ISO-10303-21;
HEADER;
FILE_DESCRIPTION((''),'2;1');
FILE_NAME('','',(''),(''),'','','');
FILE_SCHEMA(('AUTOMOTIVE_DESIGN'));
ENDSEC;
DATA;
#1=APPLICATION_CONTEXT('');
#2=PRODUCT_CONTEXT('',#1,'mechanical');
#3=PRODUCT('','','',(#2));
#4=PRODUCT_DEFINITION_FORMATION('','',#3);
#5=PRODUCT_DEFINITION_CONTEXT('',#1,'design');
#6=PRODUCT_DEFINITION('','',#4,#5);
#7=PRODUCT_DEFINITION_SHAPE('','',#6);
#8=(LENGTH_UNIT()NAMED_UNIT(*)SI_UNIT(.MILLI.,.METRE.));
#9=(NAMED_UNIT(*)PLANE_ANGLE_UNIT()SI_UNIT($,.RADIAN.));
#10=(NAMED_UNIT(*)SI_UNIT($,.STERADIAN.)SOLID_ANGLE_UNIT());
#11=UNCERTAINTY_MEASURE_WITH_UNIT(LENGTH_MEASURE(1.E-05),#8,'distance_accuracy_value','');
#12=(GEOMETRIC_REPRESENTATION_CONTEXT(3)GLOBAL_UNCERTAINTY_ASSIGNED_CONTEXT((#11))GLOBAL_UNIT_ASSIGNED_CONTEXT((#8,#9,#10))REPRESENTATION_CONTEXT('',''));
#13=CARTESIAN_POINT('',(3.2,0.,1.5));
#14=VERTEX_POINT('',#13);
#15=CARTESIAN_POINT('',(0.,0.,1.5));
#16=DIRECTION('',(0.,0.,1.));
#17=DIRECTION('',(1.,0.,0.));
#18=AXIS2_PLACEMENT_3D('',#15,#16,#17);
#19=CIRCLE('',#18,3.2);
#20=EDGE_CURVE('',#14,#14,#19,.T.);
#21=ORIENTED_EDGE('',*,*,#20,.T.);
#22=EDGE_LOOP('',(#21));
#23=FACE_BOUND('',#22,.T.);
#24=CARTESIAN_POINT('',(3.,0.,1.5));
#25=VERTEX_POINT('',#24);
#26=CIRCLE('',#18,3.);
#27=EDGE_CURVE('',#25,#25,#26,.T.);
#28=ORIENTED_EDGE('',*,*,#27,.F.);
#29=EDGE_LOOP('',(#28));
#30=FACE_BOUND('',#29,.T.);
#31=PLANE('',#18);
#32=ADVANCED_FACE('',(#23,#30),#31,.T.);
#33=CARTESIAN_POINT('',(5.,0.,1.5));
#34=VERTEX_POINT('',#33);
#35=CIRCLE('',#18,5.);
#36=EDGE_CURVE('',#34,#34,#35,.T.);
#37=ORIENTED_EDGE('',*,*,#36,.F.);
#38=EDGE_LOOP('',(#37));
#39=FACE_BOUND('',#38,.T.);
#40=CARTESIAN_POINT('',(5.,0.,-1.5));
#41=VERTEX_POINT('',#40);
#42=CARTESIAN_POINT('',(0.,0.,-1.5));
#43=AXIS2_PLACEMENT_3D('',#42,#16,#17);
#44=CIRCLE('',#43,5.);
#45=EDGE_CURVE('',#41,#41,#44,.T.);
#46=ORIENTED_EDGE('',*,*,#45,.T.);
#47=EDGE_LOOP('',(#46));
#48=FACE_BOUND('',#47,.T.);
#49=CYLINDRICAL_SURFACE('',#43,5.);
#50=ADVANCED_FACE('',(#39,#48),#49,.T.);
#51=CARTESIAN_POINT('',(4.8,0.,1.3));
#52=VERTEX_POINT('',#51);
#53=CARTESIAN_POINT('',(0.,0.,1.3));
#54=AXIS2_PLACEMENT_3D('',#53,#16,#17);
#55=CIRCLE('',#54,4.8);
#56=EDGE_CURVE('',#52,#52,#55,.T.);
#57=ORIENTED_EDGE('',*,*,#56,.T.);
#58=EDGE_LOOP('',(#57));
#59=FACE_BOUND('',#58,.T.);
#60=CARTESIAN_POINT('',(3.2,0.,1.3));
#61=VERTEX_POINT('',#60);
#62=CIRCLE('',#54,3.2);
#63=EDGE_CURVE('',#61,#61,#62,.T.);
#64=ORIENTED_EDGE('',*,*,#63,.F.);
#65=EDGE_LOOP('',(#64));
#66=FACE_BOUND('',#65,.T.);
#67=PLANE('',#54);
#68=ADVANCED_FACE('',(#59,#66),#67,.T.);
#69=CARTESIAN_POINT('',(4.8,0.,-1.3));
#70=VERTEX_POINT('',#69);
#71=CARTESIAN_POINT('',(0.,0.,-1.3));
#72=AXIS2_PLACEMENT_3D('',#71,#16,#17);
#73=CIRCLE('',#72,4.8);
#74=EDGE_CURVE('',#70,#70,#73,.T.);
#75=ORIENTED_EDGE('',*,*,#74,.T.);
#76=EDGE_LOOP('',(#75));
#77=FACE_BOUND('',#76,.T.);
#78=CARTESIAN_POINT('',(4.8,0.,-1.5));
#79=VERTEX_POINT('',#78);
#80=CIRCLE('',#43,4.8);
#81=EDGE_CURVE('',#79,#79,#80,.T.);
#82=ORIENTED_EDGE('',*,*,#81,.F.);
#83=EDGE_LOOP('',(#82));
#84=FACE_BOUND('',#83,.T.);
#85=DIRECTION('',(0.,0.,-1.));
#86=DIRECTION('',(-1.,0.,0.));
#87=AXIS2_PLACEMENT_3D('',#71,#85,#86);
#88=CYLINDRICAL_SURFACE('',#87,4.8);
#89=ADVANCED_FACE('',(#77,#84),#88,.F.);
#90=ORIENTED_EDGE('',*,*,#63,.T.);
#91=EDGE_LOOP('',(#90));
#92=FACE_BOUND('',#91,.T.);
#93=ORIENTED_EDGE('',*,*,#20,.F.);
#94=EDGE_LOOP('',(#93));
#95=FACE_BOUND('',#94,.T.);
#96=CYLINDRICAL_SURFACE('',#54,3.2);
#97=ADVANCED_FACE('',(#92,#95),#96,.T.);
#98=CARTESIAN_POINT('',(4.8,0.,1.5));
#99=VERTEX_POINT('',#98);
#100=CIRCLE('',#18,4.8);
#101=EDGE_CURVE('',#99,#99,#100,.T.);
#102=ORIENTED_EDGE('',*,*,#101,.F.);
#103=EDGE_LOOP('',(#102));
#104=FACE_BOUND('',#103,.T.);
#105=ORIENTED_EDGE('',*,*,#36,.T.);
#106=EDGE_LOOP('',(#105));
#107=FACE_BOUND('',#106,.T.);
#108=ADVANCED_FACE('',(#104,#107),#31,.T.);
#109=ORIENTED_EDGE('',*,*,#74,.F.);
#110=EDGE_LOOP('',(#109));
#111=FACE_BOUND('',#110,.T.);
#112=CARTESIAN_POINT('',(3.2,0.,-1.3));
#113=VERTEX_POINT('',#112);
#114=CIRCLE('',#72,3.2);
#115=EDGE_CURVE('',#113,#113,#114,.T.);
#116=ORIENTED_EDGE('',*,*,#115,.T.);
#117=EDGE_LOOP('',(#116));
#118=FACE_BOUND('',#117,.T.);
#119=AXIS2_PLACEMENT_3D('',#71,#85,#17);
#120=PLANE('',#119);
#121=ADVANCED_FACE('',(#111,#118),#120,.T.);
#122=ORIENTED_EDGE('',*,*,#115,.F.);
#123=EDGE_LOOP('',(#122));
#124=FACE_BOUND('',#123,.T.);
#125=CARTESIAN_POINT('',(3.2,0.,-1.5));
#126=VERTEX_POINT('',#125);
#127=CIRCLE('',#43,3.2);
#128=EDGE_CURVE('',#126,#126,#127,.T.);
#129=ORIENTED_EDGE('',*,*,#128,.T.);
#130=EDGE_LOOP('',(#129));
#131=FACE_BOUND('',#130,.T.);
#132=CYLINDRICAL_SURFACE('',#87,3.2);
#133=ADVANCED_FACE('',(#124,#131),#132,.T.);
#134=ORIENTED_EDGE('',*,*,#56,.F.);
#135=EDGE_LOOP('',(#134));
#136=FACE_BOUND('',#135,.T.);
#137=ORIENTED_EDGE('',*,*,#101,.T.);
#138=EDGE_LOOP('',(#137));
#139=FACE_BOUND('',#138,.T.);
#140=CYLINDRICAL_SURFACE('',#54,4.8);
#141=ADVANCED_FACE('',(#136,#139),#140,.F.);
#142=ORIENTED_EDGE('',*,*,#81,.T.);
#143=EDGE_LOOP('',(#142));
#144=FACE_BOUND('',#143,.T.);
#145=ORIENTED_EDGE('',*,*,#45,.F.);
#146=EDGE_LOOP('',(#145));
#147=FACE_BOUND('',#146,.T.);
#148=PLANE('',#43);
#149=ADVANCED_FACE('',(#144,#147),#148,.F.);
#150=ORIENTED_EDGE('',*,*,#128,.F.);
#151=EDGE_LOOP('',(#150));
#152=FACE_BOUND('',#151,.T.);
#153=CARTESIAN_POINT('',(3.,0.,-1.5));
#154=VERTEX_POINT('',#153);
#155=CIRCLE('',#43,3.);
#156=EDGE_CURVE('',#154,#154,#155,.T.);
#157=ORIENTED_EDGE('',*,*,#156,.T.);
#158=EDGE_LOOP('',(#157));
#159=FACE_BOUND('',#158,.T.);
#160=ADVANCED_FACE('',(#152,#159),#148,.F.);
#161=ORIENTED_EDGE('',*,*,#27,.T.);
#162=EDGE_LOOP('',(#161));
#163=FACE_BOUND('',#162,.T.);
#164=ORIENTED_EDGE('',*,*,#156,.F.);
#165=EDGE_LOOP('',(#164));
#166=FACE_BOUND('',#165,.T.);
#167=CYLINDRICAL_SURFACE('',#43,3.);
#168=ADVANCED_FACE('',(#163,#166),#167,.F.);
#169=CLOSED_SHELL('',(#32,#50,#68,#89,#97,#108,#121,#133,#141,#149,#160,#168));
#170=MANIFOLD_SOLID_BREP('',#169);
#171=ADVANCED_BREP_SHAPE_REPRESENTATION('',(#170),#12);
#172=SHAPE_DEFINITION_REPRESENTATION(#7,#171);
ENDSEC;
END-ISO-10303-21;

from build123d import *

# Parameters (mm, degrees)
EXTRUDE_1_DEPTH      = 1.5
EXTRUDE_1_DEPTH_BACK = 1.5
SKETCH_1_R           = 5
SKETCH_1_R_2         = 3
SKETCH_2_R           = 4.8
SKETCH_2_R_2         = 3.2
CUT_EXTRUDE_1_DEPTH  = 0.2


with BuildPart() as part:
    # 草图1 → 凸台-拉伸1 (new, two sides: drawn at the far end of the back side and taken through both)
    with BuildSketch(Plane.XY.offset(-EXTRUDE_1_DEPTH_BACK)):
        Circle(SKETCH_1_R)
        Circle(SKETCH_1_R_2, mode=Mode.SUBTRACT)
    extrude(amount=EXTRUDE_1_DEPTH + EXTRUDE_1_DEPTH_BACK)

    # 草图2 → 切除-拉伸1 (cut)
    with BuildSketch(Plane.XY.offset(1.5)):
        Circle(SKETCH_2_R)
        Circle(SKETCH_2_R_2, mode=Mode.SUBTRACT)
    cut_extrude_1 = extrude(amount=-CUT_EXTRUDE_1_DEPTH, mode=Mode.SUBTRACT)

    # 镜向1: 切除-拉伸1 across plane
    add(cut_extrude_1.mirror(Plane.XY), mode=Mode.SUBTRACT)


solid = part.part
